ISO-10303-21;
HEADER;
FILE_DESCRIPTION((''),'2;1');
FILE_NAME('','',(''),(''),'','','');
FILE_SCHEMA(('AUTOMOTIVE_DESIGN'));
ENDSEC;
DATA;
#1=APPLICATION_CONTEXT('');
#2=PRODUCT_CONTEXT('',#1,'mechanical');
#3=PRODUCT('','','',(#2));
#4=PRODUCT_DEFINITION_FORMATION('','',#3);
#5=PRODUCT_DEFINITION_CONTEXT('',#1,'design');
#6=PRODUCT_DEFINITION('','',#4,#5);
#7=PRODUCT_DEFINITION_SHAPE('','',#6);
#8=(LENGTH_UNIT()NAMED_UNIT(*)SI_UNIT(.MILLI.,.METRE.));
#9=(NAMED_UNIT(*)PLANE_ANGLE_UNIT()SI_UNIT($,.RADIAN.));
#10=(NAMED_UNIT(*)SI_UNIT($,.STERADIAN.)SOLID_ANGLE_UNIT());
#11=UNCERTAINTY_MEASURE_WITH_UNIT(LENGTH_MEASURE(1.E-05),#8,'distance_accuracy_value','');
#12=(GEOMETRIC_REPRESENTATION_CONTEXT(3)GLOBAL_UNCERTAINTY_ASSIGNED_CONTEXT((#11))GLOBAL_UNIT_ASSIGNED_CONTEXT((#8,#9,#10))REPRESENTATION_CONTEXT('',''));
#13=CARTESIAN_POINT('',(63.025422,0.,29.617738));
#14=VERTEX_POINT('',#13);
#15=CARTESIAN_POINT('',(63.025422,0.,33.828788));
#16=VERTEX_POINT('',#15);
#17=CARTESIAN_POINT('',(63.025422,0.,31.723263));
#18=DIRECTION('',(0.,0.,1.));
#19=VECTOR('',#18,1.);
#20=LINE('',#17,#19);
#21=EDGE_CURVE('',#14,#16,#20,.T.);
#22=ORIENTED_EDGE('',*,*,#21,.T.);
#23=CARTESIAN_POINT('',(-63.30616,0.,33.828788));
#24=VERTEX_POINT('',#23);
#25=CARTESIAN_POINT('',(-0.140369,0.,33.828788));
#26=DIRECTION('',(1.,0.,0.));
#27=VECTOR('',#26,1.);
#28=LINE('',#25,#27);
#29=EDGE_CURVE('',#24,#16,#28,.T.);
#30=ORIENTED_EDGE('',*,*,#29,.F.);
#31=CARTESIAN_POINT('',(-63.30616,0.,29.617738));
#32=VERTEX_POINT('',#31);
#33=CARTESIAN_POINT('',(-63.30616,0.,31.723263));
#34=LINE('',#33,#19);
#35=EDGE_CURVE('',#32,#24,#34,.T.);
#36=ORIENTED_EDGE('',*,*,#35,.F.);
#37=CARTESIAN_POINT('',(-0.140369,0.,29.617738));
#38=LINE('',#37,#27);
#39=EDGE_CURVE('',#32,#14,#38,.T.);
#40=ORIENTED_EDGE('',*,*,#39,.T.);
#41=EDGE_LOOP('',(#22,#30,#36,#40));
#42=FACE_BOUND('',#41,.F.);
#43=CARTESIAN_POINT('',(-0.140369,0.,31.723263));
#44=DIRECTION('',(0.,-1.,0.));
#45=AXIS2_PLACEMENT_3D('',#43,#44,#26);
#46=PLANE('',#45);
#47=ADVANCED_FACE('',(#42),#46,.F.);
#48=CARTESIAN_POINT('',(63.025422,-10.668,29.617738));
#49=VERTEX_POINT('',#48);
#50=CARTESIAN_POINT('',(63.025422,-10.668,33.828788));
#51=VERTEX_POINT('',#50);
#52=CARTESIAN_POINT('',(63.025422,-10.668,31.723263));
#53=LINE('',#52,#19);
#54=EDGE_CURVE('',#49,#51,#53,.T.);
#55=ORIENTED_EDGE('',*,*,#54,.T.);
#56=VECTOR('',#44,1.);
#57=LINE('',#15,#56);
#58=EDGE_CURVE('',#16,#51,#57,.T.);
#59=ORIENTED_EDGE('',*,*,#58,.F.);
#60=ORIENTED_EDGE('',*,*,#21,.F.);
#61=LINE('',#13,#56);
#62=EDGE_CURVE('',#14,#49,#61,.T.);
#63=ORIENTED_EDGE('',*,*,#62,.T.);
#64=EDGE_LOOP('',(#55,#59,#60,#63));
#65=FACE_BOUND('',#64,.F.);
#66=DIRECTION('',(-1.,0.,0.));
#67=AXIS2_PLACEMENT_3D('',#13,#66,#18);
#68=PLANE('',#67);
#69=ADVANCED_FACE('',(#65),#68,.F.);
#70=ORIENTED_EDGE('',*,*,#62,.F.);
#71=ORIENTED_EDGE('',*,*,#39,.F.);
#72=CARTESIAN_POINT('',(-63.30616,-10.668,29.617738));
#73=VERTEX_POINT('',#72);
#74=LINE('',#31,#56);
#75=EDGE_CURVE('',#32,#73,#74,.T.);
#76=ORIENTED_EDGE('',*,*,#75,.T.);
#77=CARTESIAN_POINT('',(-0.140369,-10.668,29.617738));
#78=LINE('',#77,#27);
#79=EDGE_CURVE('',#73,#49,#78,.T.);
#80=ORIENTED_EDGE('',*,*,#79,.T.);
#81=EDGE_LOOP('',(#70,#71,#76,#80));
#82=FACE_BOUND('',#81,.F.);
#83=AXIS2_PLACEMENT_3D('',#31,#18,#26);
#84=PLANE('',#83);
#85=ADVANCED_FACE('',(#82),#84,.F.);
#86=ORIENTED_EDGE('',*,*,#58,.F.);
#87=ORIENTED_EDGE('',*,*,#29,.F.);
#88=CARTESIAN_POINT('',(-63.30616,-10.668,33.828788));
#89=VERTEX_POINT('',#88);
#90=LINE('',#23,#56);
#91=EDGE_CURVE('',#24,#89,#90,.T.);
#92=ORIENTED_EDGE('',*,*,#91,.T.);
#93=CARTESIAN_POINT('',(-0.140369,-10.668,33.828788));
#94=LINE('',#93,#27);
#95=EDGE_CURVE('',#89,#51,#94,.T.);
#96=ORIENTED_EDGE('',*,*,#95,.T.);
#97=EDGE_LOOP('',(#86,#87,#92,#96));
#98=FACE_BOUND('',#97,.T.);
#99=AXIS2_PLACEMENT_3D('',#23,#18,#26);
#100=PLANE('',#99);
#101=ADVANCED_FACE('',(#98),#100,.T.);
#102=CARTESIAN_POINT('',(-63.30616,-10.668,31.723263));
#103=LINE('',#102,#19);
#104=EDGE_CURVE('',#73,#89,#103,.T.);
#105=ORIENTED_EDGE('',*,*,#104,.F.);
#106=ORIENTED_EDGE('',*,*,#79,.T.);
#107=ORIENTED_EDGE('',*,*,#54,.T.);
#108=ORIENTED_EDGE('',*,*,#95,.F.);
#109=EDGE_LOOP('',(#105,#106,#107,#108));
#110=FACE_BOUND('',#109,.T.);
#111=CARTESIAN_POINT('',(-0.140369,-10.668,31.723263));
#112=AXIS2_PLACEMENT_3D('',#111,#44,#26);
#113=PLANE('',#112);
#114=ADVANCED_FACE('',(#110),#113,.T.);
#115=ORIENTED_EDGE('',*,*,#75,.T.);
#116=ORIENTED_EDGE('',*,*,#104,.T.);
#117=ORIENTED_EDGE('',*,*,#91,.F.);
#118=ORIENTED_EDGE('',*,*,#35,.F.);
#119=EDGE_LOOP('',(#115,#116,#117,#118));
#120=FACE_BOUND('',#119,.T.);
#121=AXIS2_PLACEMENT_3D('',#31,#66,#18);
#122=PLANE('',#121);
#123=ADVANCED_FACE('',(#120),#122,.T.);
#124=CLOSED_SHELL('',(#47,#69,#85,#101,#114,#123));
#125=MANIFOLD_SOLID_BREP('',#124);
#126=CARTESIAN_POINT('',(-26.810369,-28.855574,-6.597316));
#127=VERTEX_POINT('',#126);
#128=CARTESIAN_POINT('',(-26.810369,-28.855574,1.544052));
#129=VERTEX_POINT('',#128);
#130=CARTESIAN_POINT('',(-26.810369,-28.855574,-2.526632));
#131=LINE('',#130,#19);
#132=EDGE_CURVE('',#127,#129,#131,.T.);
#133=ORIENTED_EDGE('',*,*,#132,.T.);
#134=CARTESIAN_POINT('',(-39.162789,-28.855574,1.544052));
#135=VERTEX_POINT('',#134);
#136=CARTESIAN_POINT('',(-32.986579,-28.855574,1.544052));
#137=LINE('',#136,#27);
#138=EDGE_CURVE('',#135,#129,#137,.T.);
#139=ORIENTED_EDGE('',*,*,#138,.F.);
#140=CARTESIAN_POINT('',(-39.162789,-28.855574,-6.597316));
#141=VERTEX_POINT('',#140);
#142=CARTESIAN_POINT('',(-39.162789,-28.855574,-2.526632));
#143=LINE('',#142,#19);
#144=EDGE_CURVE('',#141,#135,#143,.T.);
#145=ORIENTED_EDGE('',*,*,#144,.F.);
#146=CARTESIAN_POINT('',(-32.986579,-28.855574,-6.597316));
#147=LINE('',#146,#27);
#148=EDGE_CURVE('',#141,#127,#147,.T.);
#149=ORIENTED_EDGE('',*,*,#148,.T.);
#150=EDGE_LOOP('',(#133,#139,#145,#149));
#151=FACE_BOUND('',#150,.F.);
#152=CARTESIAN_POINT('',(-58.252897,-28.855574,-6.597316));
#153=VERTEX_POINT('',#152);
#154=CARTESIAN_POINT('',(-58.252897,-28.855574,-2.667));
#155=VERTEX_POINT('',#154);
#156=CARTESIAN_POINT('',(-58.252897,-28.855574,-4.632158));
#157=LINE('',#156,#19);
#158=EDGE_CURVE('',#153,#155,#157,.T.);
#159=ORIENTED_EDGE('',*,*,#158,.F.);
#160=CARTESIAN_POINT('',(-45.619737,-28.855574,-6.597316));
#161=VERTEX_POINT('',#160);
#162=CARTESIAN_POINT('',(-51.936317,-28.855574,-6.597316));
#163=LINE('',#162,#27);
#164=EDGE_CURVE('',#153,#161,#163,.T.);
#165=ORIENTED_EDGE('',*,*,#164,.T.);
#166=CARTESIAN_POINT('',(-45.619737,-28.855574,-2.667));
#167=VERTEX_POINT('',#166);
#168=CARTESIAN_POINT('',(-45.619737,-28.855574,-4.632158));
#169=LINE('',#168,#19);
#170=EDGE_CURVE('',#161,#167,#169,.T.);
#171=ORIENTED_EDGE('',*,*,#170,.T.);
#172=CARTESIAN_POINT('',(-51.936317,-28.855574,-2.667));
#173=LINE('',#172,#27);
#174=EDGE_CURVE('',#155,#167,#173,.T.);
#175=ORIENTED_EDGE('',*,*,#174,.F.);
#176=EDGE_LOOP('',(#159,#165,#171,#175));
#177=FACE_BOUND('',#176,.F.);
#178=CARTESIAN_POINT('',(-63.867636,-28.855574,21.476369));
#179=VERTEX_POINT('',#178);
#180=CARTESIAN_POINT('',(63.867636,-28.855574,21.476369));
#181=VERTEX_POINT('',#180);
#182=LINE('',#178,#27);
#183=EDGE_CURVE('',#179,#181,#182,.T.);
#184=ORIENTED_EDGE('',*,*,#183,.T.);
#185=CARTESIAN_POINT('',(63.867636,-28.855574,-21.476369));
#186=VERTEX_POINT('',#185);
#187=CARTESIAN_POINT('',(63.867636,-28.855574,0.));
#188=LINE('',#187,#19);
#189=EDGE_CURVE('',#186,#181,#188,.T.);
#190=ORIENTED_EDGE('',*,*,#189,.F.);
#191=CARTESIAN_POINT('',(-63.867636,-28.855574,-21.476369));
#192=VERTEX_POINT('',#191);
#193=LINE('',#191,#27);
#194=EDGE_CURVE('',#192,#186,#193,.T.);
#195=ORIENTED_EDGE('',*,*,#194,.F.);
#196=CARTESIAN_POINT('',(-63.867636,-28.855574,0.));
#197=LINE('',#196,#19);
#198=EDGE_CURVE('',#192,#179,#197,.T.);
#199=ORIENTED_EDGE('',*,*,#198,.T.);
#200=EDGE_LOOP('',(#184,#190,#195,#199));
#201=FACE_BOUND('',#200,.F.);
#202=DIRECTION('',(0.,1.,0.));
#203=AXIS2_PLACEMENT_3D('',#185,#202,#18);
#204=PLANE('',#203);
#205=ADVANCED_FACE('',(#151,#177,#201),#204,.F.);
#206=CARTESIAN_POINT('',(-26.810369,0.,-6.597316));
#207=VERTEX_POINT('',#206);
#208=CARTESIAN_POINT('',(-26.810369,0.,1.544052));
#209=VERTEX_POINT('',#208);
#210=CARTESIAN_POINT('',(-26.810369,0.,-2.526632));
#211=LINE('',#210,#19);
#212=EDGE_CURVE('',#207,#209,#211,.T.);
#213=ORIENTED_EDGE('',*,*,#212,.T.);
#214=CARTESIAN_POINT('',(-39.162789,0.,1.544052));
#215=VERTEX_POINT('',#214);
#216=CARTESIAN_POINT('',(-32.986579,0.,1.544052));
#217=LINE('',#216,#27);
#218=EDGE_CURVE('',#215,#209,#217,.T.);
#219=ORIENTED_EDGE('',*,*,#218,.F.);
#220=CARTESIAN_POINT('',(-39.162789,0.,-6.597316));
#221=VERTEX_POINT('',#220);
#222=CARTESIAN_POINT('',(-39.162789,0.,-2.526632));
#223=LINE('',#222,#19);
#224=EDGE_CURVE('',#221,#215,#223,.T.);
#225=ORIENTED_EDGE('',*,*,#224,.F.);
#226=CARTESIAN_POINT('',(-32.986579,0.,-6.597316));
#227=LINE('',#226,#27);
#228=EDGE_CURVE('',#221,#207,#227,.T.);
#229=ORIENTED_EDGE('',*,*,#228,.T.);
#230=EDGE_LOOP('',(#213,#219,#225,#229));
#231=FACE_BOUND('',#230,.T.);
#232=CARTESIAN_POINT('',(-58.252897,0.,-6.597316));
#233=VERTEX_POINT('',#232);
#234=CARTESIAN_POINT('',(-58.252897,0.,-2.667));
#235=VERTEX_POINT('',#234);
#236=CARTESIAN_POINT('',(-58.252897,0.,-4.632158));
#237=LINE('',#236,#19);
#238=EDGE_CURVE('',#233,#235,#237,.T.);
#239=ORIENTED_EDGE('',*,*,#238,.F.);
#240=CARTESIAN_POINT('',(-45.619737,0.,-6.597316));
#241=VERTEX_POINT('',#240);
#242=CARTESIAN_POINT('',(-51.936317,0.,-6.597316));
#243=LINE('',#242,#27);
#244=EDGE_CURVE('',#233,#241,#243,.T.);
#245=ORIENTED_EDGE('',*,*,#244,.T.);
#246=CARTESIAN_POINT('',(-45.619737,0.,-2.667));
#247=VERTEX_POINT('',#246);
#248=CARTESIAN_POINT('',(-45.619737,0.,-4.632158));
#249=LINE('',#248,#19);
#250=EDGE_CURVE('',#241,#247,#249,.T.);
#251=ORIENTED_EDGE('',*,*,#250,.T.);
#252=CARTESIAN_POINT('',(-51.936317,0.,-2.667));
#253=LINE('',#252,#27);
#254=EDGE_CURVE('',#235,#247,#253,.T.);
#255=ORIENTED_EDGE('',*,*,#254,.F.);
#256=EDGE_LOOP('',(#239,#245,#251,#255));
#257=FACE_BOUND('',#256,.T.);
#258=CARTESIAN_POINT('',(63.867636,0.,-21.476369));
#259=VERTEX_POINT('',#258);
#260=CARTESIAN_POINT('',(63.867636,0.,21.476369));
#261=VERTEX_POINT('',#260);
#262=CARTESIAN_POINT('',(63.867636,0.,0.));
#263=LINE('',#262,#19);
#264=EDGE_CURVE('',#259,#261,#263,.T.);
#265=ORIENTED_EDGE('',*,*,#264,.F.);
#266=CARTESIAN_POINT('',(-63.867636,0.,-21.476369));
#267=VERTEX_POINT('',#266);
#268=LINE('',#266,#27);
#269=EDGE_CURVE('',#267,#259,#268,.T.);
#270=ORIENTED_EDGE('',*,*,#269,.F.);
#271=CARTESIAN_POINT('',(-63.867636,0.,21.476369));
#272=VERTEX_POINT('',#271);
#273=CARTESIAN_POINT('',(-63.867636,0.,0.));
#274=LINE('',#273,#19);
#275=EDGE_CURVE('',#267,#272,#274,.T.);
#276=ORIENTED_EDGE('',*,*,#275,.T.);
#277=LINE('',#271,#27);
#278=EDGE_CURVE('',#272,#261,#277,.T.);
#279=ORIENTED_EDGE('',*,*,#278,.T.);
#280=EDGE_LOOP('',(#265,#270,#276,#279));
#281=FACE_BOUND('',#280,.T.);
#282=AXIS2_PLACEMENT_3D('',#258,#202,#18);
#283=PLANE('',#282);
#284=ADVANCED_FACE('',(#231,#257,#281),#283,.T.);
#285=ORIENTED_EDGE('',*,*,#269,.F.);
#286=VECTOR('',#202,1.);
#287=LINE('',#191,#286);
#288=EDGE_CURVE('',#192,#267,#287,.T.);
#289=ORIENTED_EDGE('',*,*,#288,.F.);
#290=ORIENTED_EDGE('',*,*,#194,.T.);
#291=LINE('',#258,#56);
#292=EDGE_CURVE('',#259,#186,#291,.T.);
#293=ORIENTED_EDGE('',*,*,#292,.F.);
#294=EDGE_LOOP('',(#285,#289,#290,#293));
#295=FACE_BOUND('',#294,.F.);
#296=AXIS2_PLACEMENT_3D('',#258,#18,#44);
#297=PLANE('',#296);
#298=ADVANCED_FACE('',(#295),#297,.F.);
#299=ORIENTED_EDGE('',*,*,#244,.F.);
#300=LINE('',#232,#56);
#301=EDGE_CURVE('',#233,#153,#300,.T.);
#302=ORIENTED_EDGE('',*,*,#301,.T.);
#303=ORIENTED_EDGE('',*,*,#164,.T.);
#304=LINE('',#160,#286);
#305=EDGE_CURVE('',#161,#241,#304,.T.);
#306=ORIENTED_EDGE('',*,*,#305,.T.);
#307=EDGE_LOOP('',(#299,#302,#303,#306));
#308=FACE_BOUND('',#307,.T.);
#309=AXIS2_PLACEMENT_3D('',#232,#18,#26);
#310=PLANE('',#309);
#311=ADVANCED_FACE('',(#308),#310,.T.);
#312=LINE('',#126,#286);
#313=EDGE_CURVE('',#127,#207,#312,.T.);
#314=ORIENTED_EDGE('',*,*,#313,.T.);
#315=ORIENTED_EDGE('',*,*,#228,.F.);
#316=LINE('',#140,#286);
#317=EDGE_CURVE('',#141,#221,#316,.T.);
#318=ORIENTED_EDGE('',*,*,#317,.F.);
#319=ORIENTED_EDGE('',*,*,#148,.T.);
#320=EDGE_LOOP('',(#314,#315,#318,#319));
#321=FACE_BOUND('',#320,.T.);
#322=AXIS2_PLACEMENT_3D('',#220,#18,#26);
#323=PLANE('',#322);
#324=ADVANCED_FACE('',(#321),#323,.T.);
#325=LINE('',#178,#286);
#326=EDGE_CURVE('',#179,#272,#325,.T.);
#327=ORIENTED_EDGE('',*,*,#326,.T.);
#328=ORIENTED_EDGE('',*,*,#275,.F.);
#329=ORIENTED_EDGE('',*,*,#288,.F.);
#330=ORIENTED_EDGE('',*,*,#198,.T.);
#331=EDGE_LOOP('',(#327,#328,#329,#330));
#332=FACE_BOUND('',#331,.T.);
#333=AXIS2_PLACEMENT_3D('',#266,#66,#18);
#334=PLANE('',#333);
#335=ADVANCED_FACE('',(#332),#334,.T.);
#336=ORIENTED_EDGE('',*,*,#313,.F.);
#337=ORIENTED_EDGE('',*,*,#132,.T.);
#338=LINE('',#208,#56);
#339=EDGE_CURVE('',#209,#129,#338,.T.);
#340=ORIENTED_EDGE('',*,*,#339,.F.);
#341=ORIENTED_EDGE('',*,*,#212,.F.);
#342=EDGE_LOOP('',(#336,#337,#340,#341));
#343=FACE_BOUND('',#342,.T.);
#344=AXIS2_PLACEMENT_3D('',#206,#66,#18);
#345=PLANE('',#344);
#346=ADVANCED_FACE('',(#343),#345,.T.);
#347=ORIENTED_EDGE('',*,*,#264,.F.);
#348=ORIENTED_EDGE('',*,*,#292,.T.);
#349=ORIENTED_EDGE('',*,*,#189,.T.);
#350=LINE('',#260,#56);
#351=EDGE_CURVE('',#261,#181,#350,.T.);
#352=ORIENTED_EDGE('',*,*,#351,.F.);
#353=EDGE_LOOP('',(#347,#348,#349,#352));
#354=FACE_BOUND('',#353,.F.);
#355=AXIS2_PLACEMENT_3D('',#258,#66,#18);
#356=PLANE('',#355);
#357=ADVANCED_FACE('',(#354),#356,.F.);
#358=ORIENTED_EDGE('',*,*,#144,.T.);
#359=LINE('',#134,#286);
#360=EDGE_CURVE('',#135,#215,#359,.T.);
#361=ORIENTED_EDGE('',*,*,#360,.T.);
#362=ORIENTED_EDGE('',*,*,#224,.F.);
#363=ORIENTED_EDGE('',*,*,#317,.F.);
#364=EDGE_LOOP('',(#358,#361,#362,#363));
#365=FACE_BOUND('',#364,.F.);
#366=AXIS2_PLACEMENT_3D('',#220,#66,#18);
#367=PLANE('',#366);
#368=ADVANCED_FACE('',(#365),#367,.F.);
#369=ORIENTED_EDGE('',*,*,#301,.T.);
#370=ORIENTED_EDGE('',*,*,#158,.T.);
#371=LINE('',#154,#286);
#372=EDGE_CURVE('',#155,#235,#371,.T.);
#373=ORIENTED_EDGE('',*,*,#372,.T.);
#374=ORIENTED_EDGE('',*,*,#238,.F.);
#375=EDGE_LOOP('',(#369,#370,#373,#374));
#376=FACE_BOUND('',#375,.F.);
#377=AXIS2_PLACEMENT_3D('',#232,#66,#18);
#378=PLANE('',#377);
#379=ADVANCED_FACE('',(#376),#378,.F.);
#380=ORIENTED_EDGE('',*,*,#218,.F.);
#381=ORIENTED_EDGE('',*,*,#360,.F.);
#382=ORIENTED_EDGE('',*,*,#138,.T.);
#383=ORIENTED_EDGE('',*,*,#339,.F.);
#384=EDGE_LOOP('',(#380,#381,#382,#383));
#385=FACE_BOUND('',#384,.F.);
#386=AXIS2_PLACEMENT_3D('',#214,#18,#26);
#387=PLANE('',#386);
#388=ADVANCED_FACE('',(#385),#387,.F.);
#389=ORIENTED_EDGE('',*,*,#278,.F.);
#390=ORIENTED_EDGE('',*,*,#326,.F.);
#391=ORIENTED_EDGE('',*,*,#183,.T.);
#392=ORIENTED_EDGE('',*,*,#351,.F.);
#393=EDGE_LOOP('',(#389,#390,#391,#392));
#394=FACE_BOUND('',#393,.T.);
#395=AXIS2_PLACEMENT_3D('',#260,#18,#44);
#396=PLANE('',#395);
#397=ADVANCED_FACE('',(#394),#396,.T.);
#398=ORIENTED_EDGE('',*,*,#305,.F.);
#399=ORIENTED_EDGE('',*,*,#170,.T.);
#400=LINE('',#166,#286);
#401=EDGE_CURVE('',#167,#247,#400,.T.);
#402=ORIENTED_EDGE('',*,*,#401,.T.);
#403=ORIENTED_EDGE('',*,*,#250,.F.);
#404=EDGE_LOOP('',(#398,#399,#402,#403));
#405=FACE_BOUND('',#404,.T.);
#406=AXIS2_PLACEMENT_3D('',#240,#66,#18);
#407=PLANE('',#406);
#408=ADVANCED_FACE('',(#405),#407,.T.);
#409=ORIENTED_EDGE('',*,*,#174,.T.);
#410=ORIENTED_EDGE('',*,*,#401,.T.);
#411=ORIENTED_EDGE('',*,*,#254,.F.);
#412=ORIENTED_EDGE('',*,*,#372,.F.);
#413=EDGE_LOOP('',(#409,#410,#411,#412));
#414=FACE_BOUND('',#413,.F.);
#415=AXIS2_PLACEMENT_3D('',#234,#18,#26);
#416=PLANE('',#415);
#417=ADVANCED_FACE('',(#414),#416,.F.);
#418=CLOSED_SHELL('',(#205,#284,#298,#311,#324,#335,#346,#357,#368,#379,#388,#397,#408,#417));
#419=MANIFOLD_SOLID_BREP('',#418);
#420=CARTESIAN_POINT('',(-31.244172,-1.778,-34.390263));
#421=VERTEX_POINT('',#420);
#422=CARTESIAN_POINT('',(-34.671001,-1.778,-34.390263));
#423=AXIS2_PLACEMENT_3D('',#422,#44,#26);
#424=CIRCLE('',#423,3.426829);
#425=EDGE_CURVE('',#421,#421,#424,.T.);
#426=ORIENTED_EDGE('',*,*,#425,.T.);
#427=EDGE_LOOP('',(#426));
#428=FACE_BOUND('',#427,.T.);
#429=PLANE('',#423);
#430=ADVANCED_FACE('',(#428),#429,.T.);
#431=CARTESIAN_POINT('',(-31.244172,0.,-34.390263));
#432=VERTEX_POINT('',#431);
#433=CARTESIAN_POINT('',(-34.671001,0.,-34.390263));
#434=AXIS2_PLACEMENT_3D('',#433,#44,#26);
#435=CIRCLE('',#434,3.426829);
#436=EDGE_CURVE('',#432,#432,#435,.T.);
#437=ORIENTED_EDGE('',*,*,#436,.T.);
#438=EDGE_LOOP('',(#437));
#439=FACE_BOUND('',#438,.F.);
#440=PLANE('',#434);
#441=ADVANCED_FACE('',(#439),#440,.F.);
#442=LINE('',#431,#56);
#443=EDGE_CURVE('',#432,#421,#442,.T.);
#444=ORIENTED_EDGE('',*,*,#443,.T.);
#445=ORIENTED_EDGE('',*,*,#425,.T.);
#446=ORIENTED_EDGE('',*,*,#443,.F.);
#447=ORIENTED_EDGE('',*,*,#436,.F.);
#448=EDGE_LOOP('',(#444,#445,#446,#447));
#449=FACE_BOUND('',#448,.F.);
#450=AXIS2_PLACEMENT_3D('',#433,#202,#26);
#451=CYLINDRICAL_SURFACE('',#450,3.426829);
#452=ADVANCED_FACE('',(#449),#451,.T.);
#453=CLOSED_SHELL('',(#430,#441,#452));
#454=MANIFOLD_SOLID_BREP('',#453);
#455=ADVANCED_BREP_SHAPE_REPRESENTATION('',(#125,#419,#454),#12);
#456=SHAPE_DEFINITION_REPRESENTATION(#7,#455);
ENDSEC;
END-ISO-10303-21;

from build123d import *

# Parameters (mm, degrees)
F0_W     = 127.7352720499
F0_H     = 42.9527387023
F0_W_2   = 12.6331597567
F0_H_2   = 3.9303160738
F0_W_3   = 12.3524200171
F0_H_3   = 8.1413685839
F1_DEPTH = 10.16
F2_W     = 126.3315826654
F2_H     = 4.2110495269
F3_DEPTH = 10.668
F4_R     = 3.4268290795
F5_DEPTH = 1.778
F6_DEPTH = 3.5189203918
F7_DEPTH = 28.8555743173


with BuildPart() as f1:
    # F0 (on Front) → F1 (new body)
    with BuildSketch(Plane.XZ):
        Rectangle(F0_W, F0_H)
        with Locations((-51.9363172352, -4.6321580885)):
            Rectangle(F0_W_2, F0_H_2, mode=Mode.SUBTRACT)
        with Locations((-32.9865785316, -2.5266318335)):
            Rectangle(F0_W_3, F0_H_3, mode=Mode.SUBTRACT)
    extrude(amount=F1_DEPTH)

    # F6 (add): a face of the model
    f6_faces = [f1.faces().sort_by_distance(p)[0] for p in [
        (63.867636025, -5.08, 0),
    ]]
    extrude(f6_faces, amount=-F6_DEPTH)

    # F7 (add): a face of the model
    f7_faces = [f1.faces().sort_by_distance(p)[0] for p in [
        (1.1048863511, 0, 0.0907152896),
    ]]
    extrude(f7_faces, amount=-F7_DEPTH)


with BuildPart() as f3:
    # F2 (on Front) → F3 (new body)
    with BuildSketch(Plane.XZ):
        with Locations((-0.1403689384, 31.7232627422)):
            Rectangle(F2_W, F2_H)
    extrude(amount=F3_DEPTH)


with BuildPart() as f5:
    # F4 (on Front) → F5 (new body)
    with BuildSketch(Plane.XZ):
        with Locations((-34.6710011363, -34.3902632594)):
            Circle(F4_R)
    extrude(amount=F5_DEPTH)


solid = Compound([f1.part, f3.part, f5.part])
